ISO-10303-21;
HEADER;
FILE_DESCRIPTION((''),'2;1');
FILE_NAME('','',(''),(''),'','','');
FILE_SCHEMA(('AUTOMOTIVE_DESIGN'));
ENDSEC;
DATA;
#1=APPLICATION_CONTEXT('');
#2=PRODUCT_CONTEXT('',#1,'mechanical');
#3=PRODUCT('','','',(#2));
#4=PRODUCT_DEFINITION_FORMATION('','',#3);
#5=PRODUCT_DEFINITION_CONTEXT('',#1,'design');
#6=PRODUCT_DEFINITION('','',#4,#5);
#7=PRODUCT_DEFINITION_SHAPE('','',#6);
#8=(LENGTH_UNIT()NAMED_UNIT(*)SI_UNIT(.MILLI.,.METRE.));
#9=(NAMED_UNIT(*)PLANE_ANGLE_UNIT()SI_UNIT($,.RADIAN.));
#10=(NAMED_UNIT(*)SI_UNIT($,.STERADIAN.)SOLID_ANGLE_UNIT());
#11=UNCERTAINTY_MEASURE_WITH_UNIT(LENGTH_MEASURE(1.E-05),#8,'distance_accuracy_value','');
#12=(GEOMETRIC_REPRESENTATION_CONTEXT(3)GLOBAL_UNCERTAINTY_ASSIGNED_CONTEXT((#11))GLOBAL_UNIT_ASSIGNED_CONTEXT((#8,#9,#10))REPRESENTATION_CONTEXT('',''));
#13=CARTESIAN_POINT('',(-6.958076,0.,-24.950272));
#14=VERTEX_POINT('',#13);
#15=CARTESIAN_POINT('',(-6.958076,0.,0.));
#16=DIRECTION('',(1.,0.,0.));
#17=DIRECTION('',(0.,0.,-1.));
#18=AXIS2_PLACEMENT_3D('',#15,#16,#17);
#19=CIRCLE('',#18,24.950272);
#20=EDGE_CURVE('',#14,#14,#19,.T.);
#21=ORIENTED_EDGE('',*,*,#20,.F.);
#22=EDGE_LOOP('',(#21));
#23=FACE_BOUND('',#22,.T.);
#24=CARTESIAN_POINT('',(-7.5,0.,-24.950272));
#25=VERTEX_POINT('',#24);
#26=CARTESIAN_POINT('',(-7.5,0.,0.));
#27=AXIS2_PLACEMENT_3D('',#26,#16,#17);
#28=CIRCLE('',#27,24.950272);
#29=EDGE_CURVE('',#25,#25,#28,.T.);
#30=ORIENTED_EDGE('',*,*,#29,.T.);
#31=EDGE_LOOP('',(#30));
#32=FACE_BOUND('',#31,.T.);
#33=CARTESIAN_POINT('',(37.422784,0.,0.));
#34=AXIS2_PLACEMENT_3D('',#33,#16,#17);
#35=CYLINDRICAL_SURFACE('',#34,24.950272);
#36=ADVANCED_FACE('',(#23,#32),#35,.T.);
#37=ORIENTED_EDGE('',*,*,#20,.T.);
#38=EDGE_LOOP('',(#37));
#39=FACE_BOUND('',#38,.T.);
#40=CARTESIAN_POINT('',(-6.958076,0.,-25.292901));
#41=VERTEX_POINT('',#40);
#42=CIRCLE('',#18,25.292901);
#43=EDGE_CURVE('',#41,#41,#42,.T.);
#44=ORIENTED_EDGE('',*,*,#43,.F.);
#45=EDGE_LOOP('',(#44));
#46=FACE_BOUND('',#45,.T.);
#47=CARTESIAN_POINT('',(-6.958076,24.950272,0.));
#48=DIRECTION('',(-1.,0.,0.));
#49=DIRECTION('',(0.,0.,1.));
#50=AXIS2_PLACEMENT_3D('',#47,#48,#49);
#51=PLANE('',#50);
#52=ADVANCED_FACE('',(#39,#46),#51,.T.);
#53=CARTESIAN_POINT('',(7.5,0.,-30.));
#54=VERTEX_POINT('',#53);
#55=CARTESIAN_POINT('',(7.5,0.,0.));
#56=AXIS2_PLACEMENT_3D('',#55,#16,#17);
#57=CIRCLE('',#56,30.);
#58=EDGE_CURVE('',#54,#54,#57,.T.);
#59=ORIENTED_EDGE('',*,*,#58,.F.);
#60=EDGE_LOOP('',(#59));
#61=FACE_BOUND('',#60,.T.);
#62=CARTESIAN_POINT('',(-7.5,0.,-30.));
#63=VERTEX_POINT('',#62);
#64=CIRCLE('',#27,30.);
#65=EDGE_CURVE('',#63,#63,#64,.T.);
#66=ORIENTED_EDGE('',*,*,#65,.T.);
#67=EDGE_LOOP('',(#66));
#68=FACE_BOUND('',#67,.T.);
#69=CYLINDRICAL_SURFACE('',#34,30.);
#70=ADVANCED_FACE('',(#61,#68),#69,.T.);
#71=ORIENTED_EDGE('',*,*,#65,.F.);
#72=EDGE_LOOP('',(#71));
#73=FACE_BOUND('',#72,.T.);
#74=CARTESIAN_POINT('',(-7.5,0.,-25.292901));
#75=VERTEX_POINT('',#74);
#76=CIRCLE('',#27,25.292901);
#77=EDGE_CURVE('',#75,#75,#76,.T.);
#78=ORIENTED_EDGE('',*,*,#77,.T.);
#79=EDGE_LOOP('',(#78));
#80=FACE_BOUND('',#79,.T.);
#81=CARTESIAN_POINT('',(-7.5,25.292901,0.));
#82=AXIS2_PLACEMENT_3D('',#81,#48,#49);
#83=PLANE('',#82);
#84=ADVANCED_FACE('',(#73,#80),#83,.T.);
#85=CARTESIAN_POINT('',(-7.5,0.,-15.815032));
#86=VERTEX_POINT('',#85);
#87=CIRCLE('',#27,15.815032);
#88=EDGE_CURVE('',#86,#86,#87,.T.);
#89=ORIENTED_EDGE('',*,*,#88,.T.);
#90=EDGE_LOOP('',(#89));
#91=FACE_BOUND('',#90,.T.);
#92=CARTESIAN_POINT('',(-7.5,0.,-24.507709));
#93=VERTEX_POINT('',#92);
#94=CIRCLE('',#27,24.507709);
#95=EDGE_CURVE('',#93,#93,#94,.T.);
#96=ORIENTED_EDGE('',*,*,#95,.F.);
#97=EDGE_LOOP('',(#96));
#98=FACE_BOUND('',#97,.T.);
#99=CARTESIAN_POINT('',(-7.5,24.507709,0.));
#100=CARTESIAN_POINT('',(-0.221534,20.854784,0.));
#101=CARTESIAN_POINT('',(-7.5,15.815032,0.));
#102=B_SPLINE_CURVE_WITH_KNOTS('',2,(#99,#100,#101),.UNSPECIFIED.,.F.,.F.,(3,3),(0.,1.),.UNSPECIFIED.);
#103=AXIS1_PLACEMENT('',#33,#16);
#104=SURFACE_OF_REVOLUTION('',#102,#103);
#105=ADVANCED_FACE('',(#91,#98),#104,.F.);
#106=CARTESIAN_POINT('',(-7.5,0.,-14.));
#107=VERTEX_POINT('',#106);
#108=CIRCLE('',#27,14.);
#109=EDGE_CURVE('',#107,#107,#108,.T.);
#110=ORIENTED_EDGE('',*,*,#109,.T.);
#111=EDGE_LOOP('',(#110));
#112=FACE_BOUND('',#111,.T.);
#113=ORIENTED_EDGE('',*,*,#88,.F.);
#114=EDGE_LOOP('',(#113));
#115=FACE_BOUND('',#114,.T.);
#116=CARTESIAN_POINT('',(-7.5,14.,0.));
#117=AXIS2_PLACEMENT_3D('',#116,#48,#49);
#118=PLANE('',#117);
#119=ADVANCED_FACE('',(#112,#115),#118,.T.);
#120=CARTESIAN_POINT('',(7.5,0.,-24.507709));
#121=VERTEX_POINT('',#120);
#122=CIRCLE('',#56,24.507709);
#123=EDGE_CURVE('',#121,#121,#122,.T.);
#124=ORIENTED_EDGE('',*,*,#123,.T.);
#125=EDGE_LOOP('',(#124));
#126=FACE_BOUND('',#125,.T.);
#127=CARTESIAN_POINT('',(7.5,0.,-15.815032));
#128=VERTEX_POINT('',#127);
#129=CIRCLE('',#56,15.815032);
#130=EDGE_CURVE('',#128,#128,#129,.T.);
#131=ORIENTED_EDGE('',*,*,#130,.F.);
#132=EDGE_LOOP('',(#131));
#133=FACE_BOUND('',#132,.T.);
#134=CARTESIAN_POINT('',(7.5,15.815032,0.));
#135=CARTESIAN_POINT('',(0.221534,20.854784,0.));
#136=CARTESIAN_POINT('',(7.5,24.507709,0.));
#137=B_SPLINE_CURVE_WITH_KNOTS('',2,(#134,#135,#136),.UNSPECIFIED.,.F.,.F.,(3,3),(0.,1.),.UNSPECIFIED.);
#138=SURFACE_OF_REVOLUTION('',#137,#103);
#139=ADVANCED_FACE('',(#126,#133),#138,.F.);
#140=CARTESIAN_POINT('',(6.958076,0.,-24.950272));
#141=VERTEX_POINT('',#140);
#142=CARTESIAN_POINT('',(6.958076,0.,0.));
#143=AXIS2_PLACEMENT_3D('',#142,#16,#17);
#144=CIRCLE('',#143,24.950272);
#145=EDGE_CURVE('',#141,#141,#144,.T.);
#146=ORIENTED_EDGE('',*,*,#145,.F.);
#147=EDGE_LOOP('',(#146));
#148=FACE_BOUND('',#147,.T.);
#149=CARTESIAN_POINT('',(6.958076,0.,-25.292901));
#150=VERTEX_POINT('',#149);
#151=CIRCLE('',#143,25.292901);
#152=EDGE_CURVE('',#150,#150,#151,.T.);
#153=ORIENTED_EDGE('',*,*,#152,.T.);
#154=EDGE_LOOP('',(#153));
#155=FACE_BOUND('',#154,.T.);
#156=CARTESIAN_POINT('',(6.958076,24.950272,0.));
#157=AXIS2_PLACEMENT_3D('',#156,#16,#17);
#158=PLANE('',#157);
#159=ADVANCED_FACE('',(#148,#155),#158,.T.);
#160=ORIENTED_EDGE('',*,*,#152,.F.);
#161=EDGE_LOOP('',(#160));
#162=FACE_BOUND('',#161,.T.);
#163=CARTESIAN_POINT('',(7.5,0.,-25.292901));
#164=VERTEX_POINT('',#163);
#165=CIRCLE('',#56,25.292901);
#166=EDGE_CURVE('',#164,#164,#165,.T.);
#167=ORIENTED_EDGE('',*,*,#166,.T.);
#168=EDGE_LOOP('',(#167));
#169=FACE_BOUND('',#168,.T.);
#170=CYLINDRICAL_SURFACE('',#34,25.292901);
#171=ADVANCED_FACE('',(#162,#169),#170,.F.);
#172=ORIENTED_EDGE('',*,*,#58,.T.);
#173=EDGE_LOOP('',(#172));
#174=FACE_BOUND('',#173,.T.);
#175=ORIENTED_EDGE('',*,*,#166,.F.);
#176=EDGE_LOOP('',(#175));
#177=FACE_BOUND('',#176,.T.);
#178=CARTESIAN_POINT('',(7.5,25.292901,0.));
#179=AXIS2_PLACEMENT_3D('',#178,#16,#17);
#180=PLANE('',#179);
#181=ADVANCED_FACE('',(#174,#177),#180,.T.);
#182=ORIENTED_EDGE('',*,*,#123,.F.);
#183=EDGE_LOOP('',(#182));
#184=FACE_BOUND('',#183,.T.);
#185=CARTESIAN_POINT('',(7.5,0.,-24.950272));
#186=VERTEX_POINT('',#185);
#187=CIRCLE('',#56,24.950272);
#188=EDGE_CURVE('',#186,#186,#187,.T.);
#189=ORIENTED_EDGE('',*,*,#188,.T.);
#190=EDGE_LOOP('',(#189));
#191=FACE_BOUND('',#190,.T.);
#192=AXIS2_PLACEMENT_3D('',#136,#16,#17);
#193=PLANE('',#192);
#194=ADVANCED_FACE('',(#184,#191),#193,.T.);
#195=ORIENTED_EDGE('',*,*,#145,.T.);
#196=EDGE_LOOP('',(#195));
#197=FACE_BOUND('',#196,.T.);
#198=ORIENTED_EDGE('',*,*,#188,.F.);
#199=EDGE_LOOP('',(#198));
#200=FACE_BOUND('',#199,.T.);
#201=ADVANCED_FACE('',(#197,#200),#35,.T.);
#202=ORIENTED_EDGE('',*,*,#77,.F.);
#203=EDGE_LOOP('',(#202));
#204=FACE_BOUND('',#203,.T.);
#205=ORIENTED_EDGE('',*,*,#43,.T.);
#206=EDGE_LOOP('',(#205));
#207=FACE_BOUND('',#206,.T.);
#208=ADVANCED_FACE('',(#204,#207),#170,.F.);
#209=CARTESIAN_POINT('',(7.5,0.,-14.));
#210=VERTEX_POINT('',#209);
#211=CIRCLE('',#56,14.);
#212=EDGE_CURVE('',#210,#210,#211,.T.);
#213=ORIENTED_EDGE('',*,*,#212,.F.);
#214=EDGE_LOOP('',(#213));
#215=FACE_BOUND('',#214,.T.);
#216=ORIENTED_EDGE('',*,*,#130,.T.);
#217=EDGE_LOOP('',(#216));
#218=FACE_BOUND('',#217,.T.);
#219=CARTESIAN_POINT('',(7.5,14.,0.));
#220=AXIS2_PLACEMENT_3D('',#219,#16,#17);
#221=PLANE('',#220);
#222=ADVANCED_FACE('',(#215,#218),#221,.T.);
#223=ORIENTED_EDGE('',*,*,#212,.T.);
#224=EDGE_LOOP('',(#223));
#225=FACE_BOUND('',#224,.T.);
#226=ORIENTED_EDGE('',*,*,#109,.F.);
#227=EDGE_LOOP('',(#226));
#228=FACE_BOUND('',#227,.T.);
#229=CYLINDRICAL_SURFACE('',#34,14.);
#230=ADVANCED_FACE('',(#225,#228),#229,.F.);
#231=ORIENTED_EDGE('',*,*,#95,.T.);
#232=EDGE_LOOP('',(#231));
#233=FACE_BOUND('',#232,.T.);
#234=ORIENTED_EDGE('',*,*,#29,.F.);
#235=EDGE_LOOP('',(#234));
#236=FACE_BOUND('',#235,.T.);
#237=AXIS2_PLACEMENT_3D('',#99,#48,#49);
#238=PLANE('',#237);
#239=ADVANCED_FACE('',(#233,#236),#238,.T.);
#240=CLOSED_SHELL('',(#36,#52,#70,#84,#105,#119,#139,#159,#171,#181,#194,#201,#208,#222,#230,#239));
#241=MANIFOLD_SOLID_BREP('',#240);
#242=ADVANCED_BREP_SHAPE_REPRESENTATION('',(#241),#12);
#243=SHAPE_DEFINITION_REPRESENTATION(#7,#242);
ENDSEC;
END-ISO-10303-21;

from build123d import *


with BuildPart() as part:
    # Sketch1 → Revolve1 (revolve)
    with BuildSketch(Plane.XY, mode=Mode.PRIVATE) as revolve1_sk:
        with BuildLine():
            Line((7.5, 14), (-7.5, 14))
            Line((-7.5, 14), (-7.5, 15.815032431))
            add(Edge.make_bspline(
                [(-7.5, 15.815032431), (-0.221533759, 20.854783747), (-7.5, 24.507708918)],
                knots=[0, 0, 0, 1, 1, 1], degree=2))
            Line((-7.5, 24.507708918), (-7.5, 24.950271606))
            Line((-7.5, 24.950271606), (-6.958076182, 24.950271606))
            Line((-6.958076182, 24.950271606), (-6.958076182, 25.292900784))
            Line((-6.958076182, 25.292900784), (-7.5, 25.292900784))
            Line((-7.5, 25.292900784), (-7.5, 30))
            Line((-7.5, 30), (7.5, 30))
            Line((7.5, 30), (7.5, 25.292900784))
            Line((7.5, 25.292900784), (6.958076182, 25.292900784))
            Line((6.958076182, 25.292900784), (6.958076182, 24.950271606))
            Line((6.958076182, 24.950271606), (7.5, 24.950271606))
            Line((7.5, 24.950271606), (7.5, 24.507708918))
            add(Edge.make_bspline(
                [(7.5, 15.815032431), (0.221533759, 20.854783747), (7.5, 24.507708918)],
                knots=[0, 0, 0, 1, 1, 1], degree=2))
            Line((7.5, 15.815032431), (7.5, 14))
        make_face()
    revolve(revolve1_sk.sketch.rotate(Axis((37.422784058, 0, 0), (-1, 0, 0)), 90), axis=Axis((37.422784058, 0, 0), (-1, 0, 0)))


solid = part.part
